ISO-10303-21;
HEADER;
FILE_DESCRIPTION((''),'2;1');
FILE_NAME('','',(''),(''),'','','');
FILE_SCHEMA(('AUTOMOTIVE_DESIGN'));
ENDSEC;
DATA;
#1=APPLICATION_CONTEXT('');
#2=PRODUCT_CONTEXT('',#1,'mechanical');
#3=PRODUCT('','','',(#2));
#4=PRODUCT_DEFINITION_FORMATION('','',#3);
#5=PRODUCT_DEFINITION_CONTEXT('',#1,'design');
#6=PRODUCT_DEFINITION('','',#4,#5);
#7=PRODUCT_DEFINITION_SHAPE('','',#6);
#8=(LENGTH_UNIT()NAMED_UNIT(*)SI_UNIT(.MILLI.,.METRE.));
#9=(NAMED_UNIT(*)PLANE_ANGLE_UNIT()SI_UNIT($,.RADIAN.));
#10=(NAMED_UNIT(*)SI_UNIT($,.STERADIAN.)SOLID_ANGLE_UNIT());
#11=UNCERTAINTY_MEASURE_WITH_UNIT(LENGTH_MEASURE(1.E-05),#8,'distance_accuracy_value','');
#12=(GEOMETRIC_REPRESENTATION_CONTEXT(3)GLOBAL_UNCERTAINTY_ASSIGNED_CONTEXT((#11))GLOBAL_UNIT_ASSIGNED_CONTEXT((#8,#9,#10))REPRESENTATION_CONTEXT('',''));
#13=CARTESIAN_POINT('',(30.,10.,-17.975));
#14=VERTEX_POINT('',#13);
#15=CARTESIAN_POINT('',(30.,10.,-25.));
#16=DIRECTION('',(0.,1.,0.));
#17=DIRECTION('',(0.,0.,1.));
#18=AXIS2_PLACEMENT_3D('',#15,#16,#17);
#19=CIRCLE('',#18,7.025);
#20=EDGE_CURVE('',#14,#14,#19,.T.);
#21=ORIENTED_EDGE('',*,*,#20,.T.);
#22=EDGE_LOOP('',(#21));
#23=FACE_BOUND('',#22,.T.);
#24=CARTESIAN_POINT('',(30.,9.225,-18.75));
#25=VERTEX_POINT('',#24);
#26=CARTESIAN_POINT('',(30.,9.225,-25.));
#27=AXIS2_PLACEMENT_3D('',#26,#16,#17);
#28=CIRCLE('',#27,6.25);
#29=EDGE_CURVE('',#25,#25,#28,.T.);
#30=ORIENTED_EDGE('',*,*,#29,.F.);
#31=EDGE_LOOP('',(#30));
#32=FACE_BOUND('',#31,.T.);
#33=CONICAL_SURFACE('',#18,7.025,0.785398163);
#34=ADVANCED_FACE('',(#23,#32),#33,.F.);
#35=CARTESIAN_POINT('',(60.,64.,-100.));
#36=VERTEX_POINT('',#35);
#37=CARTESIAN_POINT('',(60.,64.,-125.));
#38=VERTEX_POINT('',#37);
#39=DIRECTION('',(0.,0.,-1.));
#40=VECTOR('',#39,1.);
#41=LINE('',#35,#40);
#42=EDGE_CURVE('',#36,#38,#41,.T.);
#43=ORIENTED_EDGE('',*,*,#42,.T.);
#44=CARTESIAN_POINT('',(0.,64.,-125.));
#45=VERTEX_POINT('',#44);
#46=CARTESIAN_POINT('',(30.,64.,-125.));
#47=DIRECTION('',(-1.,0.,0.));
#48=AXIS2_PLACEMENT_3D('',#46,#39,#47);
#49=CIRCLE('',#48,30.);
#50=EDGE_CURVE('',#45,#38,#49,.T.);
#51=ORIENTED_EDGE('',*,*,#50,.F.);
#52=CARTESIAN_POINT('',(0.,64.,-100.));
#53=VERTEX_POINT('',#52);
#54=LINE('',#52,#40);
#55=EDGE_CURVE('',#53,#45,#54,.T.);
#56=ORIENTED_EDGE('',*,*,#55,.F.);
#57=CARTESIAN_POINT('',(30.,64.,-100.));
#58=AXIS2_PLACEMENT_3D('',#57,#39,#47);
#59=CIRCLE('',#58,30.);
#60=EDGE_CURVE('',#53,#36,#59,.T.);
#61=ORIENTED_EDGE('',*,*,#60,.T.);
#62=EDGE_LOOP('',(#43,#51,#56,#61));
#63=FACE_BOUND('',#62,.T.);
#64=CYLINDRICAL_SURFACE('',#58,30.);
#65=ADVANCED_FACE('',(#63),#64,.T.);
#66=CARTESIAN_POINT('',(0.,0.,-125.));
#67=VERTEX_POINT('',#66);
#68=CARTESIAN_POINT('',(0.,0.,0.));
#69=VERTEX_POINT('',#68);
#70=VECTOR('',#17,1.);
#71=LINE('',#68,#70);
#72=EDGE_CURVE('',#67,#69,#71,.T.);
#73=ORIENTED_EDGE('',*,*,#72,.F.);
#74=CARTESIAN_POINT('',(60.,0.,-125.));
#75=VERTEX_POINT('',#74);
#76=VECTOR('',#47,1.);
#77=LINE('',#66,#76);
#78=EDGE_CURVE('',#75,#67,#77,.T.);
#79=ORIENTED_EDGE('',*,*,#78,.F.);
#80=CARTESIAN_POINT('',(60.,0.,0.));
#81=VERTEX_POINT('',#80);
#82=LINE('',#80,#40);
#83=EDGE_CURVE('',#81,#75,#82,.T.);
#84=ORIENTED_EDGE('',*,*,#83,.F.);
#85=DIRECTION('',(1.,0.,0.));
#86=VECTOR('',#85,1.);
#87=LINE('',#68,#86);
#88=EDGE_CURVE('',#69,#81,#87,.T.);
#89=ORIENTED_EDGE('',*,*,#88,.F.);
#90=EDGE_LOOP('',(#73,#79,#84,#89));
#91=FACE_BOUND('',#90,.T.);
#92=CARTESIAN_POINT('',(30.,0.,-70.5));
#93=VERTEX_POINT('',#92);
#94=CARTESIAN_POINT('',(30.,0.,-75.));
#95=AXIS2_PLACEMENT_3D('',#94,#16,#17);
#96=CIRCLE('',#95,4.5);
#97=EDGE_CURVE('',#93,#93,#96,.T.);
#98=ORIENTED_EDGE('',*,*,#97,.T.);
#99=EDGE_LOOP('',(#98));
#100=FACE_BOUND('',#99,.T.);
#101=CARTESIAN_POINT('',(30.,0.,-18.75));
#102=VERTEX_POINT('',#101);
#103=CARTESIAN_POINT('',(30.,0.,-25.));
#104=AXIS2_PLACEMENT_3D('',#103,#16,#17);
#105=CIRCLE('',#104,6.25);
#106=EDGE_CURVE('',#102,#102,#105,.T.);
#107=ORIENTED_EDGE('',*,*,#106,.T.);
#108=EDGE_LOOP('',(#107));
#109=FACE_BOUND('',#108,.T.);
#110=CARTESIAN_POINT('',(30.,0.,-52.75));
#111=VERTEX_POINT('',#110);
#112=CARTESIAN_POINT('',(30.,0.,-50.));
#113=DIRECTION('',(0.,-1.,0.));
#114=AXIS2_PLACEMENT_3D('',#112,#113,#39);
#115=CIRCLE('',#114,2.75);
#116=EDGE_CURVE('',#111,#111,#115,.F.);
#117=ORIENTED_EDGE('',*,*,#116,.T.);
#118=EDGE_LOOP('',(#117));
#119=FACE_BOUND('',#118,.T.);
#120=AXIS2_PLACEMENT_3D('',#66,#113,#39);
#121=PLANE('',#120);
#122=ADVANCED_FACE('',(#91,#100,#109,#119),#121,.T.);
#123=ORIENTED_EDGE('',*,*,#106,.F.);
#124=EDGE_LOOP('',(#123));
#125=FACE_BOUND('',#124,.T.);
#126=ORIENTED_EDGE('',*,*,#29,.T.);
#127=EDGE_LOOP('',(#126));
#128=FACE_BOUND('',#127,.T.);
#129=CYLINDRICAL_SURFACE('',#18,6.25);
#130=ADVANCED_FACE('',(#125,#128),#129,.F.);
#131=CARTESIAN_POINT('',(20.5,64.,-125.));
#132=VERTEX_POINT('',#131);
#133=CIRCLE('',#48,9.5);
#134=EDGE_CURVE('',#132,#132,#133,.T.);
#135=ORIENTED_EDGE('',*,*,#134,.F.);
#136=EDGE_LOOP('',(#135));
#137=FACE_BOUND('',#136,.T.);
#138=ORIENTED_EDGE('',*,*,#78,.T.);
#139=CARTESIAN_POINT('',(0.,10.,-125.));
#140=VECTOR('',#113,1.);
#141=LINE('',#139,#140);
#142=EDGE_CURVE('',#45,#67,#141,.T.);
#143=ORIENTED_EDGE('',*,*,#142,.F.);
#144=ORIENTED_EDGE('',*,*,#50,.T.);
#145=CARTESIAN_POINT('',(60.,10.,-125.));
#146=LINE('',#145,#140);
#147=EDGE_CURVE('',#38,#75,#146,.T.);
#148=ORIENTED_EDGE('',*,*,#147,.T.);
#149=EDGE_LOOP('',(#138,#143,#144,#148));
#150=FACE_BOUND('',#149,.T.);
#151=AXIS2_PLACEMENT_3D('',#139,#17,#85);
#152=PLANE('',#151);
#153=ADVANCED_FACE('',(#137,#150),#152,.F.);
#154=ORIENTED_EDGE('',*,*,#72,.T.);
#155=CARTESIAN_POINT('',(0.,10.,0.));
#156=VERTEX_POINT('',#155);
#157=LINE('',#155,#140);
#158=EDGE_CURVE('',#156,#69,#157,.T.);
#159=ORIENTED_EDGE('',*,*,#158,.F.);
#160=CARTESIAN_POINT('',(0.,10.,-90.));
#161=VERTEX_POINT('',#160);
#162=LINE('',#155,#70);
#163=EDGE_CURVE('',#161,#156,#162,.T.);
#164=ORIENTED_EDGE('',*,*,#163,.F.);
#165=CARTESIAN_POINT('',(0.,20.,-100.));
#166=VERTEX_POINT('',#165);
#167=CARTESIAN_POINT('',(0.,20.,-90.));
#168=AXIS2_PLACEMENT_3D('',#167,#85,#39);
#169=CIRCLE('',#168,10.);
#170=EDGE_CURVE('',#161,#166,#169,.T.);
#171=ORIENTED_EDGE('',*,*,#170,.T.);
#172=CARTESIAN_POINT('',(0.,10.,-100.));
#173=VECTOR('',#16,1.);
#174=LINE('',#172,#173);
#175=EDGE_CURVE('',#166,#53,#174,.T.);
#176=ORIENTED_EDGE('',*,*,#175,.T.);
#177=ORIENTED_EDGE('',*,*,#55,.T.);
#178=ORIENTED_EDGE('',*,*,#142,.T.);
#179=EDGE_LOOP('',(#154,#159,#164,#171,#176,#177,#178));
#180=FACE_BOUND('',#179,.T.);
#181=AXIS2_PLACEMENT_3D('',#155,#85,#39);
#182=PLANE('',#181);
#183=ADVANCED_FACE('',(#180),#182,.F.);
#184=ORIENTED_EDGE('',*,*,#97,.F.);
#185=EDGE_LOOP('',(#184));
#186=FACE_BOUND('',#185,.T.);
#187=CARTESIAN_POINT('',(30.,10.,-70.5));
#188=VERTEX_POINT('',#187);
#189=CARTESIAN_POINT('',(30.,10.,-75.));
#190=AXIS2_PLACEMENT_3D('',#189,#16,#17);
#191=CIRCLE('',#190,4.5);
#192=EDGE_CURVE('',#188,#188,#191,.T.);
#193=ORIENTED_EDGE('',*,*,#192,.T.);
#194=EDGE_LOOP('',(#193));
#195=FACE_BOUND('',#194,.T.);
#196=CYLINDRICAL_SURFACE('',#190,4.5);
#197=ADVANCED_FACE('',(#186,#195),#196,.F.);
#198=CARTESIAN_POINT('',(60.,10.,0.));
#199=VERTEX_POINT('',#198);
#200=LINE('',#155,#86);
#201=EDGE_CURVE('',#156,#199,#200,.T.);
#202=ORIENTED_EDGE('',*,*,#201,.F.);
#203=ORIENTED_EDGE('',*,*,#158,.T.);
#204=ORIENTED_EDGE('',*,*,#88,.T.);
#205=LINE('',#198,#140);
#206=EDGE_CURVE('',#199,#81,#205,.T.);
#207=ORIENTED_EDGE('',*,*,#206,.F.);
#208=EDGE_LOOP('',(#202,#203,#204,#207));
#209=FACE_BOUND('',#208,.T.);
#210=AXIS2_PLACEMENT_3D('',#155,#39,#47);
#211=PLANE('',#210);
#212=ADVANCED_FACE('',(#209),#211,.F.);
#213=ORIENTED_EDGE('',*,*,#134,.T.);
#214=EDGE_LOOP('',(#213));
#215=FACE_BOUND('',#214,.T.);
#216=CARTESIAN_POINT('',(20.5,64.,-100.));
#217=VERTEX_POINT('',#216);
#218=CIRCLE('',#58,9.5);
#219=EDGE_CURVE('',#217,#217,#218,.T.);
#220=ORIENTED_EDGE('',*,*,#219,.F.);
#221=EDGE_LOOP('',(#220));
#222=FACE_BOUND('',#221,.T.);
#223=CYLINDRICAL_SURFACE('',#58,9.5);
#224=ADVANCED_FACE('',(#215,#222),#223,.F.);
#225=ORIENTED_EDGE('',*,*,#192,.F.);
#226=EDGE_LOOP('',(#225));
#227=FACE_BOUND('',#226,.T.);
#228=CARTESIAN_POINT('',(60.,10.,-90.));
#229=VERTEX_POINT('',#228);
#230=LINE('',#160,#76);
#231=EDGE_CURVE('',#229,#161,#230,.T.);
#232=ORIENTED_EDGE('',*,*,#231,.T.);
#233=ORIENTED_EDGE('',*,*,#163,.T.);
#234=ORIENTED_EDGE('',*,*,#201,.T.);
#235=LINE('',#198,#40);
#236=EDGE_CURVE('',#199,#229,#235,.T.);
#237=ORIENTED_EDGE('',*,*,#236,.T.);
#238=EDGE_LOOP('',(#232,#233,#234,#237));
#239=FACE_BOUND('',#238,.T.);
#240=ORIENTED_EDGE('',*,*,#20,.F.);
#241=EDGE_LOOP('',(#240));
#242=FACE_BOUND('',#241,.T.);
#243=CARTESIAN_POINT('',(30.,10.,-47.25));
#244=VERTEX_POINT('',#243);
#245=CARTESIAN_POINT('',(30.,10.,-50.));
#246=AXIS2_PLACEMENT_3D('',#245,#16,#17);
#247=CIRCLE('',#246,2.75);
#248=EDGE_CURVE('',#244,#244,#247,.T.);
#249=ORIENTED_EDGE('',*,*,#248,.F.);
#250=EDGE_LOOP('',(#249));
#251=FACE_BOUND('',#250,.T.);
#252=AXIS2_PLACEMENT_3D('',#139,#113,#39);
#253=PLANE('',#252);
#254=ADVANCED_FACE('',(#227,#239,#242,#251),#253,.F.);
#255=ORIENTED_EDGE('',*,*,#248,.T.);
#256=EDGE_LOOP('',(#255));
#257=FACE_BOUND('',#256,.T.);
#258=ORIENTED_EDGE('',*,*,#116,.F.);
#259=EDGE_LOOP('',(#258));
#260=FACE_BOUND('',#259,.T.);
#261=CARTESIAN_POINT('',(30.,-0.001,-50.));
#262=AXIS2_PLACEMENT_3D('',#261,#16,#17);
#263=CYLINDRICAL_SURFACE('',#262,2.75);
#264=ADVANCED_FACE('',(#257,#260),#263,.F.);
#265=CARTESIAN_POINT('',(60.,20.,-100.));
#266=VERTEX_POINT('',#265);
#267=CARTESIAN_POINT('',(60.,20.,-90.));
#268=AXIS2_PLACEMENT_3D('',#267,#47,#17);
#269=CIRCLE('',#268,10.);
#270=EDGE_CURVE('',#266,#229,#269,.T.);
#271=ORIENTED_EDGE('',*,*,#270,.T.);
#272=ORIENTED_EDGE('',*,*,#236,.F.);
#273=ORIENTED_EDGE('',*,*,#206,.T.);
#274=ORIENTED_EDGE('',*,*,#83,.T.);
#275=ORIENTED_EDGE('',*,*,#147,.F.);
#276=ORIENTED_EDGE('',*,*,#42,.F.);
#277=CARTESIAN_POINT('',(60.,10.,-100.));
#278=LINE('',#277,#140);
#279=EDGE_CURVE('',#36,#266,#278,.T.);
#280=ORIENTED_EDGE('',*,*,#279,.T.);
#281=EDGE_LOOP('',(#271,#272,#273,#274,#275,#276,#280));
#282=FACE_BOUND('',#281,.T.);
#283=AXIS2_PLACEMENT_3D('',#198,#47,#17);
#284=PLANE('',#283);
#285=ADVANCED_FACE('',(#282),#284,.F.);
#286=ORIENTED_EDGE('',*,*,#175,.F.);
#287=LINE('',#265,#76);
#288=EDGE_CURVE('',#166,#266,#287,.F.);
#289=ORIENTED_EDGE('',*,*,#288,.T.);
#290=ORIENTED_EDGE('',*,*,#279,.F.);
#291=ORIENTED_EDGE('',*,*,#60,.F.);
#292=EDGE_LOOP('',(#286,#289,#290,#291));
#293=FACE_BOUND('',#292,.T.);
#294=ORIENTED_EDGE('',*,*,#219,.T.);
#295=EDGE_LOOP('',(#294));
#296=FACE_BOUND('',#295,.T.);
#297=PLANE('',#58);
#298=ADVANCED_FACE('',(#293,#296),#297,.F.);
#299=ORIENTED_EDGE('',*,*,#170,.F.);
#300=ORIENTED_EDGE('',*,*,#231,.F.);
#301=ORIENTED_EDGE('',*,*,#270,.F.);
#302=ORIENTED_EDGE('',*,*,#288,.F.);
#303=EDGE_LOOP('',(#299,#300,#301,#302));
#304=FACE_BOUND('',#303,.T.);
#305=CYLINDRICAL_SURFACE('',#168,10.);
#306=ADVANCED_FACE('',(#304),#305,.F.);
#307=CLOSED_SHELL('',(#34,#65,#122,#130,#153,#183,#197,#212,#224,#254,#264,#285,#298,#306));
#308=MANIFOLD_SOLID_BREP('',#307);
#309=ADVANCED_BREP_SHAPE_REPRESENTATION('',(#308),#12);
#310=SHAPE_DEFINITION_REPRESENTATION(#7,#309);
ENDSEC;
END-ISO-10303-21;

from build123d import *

# Parameters (mm, degrees)
SKETCH1_W                        = 60
SKETCH1_H                        = 125
BOSS_EXTRUDE1_DEPTH              = 10
SKETCH2_R                        = 9.5
BOSS_EXTRUDE2_DEPTH              = 25
CUT_EXTRUDE1_REACH               = 164.114
SKETCH3_R                        = 2.75
M10X1_0_TAPPED_HOLE1_D           = 9
M14X1_5_TAPPED_HOLE1_D           = 12.5
M14X1_5_TAPPED_HOLE1_CSINK_D     = 14.05
M14X1_5_TAPPED_HOLE1_CSINK_ANGLE = 90
FILLET1_R                        = 10


with BuildPart() as part:
    # Sketch1 → Boss-Extrude1 (new body)
    with BuildSketch(Plane(origin=(0, 0, 0), x_dir=(1, 0, 0), z_dir=(0, 1, 0))):
        with Locations((30, 62.5)):
            Rectangle(SKETCH1_W, SKETCH1_H)
    extrude(amount=BOSS_EXTRUDE1_DEPTH)

    # Sketch2 → Boss-Extrude2 (add)
    with BuildSketch(Plane(origin=(0, 0, -125), x_dir=(-1, 0, 0), z_dir=(0, 0, -1))):
        with BuildLine():
            Line((-60, 10), (0, 10))
            Line((0, 10), (0, 64))
            ThreePointArc((0, 64), (-30, 94), (-60, 64))
            Line((-60, 64), (-60, 10))
        make_face()
        with Locations((-30, 64)):
            Circle(SKETCH2_R, mode=Mode.SUBTRACT)
    extrude(amount=-BOSS_EXTRUDE2_DEPTH)

    # Sketch3 → Cut-Extrude1 (cut, up to next)
    with BuildSketch(Plane(origin=(0, 10, 0), x_dir=(1, 0, 0), z_dir=(0, 1, 0)), mode=Mode.PRIVATE) as cut_extrude1_sk1:
        with Locations(Location((30, 50, 0), (0, 0, 270))):
            Circle(SKETCH3_R)
    cut_extrude1_tool1 = extrude(cut_extrude1_sk1.sketch, amount=-CUT_EXTRUDE1_REACH, mode=Mode.PRIVATE) & part.part
    add(cut_extrude1_tool1.solids().sort_by_distance((30, 10, -50))[0], mode=Mode.SUBTRACT)

    # M10x1.0 Tapped Hole1 (through all)
    with Locations(Plane(origin=(0, 10, 0), x_dir=(1, 0, 0), z_dir=(0, 1, 0))):
        with Locations((30, 75)):
            Hole(M10X1_0_TAPPED_HOLE1_D / 2)

    # M14x1.5 Tapped Hole1 (through all)
    with Locations(Plane(origin=(0, 10, 0), x_dir=(1, 0, 0), z_dir=(0, 1, 0))):
        with Locations((30, 25)):
            CounterSinkHole(M14X1_5_TAPPED_HOLE1_D / 2, M14X1_5_TAPPED_HOLE1_CSINK_D / 2, counter_sink_angle=M14X1_5_TAPPED_HOLE1_CSINK_ANGLE)

    # Fillet1
    fillet1_edges = [part.edges().sort_by_distance(p)[0] for p in [
        (30, 10, -100),
    ]]
    fillet(fillet1_edges, radius=FILLET1_R)


solid = part.part
